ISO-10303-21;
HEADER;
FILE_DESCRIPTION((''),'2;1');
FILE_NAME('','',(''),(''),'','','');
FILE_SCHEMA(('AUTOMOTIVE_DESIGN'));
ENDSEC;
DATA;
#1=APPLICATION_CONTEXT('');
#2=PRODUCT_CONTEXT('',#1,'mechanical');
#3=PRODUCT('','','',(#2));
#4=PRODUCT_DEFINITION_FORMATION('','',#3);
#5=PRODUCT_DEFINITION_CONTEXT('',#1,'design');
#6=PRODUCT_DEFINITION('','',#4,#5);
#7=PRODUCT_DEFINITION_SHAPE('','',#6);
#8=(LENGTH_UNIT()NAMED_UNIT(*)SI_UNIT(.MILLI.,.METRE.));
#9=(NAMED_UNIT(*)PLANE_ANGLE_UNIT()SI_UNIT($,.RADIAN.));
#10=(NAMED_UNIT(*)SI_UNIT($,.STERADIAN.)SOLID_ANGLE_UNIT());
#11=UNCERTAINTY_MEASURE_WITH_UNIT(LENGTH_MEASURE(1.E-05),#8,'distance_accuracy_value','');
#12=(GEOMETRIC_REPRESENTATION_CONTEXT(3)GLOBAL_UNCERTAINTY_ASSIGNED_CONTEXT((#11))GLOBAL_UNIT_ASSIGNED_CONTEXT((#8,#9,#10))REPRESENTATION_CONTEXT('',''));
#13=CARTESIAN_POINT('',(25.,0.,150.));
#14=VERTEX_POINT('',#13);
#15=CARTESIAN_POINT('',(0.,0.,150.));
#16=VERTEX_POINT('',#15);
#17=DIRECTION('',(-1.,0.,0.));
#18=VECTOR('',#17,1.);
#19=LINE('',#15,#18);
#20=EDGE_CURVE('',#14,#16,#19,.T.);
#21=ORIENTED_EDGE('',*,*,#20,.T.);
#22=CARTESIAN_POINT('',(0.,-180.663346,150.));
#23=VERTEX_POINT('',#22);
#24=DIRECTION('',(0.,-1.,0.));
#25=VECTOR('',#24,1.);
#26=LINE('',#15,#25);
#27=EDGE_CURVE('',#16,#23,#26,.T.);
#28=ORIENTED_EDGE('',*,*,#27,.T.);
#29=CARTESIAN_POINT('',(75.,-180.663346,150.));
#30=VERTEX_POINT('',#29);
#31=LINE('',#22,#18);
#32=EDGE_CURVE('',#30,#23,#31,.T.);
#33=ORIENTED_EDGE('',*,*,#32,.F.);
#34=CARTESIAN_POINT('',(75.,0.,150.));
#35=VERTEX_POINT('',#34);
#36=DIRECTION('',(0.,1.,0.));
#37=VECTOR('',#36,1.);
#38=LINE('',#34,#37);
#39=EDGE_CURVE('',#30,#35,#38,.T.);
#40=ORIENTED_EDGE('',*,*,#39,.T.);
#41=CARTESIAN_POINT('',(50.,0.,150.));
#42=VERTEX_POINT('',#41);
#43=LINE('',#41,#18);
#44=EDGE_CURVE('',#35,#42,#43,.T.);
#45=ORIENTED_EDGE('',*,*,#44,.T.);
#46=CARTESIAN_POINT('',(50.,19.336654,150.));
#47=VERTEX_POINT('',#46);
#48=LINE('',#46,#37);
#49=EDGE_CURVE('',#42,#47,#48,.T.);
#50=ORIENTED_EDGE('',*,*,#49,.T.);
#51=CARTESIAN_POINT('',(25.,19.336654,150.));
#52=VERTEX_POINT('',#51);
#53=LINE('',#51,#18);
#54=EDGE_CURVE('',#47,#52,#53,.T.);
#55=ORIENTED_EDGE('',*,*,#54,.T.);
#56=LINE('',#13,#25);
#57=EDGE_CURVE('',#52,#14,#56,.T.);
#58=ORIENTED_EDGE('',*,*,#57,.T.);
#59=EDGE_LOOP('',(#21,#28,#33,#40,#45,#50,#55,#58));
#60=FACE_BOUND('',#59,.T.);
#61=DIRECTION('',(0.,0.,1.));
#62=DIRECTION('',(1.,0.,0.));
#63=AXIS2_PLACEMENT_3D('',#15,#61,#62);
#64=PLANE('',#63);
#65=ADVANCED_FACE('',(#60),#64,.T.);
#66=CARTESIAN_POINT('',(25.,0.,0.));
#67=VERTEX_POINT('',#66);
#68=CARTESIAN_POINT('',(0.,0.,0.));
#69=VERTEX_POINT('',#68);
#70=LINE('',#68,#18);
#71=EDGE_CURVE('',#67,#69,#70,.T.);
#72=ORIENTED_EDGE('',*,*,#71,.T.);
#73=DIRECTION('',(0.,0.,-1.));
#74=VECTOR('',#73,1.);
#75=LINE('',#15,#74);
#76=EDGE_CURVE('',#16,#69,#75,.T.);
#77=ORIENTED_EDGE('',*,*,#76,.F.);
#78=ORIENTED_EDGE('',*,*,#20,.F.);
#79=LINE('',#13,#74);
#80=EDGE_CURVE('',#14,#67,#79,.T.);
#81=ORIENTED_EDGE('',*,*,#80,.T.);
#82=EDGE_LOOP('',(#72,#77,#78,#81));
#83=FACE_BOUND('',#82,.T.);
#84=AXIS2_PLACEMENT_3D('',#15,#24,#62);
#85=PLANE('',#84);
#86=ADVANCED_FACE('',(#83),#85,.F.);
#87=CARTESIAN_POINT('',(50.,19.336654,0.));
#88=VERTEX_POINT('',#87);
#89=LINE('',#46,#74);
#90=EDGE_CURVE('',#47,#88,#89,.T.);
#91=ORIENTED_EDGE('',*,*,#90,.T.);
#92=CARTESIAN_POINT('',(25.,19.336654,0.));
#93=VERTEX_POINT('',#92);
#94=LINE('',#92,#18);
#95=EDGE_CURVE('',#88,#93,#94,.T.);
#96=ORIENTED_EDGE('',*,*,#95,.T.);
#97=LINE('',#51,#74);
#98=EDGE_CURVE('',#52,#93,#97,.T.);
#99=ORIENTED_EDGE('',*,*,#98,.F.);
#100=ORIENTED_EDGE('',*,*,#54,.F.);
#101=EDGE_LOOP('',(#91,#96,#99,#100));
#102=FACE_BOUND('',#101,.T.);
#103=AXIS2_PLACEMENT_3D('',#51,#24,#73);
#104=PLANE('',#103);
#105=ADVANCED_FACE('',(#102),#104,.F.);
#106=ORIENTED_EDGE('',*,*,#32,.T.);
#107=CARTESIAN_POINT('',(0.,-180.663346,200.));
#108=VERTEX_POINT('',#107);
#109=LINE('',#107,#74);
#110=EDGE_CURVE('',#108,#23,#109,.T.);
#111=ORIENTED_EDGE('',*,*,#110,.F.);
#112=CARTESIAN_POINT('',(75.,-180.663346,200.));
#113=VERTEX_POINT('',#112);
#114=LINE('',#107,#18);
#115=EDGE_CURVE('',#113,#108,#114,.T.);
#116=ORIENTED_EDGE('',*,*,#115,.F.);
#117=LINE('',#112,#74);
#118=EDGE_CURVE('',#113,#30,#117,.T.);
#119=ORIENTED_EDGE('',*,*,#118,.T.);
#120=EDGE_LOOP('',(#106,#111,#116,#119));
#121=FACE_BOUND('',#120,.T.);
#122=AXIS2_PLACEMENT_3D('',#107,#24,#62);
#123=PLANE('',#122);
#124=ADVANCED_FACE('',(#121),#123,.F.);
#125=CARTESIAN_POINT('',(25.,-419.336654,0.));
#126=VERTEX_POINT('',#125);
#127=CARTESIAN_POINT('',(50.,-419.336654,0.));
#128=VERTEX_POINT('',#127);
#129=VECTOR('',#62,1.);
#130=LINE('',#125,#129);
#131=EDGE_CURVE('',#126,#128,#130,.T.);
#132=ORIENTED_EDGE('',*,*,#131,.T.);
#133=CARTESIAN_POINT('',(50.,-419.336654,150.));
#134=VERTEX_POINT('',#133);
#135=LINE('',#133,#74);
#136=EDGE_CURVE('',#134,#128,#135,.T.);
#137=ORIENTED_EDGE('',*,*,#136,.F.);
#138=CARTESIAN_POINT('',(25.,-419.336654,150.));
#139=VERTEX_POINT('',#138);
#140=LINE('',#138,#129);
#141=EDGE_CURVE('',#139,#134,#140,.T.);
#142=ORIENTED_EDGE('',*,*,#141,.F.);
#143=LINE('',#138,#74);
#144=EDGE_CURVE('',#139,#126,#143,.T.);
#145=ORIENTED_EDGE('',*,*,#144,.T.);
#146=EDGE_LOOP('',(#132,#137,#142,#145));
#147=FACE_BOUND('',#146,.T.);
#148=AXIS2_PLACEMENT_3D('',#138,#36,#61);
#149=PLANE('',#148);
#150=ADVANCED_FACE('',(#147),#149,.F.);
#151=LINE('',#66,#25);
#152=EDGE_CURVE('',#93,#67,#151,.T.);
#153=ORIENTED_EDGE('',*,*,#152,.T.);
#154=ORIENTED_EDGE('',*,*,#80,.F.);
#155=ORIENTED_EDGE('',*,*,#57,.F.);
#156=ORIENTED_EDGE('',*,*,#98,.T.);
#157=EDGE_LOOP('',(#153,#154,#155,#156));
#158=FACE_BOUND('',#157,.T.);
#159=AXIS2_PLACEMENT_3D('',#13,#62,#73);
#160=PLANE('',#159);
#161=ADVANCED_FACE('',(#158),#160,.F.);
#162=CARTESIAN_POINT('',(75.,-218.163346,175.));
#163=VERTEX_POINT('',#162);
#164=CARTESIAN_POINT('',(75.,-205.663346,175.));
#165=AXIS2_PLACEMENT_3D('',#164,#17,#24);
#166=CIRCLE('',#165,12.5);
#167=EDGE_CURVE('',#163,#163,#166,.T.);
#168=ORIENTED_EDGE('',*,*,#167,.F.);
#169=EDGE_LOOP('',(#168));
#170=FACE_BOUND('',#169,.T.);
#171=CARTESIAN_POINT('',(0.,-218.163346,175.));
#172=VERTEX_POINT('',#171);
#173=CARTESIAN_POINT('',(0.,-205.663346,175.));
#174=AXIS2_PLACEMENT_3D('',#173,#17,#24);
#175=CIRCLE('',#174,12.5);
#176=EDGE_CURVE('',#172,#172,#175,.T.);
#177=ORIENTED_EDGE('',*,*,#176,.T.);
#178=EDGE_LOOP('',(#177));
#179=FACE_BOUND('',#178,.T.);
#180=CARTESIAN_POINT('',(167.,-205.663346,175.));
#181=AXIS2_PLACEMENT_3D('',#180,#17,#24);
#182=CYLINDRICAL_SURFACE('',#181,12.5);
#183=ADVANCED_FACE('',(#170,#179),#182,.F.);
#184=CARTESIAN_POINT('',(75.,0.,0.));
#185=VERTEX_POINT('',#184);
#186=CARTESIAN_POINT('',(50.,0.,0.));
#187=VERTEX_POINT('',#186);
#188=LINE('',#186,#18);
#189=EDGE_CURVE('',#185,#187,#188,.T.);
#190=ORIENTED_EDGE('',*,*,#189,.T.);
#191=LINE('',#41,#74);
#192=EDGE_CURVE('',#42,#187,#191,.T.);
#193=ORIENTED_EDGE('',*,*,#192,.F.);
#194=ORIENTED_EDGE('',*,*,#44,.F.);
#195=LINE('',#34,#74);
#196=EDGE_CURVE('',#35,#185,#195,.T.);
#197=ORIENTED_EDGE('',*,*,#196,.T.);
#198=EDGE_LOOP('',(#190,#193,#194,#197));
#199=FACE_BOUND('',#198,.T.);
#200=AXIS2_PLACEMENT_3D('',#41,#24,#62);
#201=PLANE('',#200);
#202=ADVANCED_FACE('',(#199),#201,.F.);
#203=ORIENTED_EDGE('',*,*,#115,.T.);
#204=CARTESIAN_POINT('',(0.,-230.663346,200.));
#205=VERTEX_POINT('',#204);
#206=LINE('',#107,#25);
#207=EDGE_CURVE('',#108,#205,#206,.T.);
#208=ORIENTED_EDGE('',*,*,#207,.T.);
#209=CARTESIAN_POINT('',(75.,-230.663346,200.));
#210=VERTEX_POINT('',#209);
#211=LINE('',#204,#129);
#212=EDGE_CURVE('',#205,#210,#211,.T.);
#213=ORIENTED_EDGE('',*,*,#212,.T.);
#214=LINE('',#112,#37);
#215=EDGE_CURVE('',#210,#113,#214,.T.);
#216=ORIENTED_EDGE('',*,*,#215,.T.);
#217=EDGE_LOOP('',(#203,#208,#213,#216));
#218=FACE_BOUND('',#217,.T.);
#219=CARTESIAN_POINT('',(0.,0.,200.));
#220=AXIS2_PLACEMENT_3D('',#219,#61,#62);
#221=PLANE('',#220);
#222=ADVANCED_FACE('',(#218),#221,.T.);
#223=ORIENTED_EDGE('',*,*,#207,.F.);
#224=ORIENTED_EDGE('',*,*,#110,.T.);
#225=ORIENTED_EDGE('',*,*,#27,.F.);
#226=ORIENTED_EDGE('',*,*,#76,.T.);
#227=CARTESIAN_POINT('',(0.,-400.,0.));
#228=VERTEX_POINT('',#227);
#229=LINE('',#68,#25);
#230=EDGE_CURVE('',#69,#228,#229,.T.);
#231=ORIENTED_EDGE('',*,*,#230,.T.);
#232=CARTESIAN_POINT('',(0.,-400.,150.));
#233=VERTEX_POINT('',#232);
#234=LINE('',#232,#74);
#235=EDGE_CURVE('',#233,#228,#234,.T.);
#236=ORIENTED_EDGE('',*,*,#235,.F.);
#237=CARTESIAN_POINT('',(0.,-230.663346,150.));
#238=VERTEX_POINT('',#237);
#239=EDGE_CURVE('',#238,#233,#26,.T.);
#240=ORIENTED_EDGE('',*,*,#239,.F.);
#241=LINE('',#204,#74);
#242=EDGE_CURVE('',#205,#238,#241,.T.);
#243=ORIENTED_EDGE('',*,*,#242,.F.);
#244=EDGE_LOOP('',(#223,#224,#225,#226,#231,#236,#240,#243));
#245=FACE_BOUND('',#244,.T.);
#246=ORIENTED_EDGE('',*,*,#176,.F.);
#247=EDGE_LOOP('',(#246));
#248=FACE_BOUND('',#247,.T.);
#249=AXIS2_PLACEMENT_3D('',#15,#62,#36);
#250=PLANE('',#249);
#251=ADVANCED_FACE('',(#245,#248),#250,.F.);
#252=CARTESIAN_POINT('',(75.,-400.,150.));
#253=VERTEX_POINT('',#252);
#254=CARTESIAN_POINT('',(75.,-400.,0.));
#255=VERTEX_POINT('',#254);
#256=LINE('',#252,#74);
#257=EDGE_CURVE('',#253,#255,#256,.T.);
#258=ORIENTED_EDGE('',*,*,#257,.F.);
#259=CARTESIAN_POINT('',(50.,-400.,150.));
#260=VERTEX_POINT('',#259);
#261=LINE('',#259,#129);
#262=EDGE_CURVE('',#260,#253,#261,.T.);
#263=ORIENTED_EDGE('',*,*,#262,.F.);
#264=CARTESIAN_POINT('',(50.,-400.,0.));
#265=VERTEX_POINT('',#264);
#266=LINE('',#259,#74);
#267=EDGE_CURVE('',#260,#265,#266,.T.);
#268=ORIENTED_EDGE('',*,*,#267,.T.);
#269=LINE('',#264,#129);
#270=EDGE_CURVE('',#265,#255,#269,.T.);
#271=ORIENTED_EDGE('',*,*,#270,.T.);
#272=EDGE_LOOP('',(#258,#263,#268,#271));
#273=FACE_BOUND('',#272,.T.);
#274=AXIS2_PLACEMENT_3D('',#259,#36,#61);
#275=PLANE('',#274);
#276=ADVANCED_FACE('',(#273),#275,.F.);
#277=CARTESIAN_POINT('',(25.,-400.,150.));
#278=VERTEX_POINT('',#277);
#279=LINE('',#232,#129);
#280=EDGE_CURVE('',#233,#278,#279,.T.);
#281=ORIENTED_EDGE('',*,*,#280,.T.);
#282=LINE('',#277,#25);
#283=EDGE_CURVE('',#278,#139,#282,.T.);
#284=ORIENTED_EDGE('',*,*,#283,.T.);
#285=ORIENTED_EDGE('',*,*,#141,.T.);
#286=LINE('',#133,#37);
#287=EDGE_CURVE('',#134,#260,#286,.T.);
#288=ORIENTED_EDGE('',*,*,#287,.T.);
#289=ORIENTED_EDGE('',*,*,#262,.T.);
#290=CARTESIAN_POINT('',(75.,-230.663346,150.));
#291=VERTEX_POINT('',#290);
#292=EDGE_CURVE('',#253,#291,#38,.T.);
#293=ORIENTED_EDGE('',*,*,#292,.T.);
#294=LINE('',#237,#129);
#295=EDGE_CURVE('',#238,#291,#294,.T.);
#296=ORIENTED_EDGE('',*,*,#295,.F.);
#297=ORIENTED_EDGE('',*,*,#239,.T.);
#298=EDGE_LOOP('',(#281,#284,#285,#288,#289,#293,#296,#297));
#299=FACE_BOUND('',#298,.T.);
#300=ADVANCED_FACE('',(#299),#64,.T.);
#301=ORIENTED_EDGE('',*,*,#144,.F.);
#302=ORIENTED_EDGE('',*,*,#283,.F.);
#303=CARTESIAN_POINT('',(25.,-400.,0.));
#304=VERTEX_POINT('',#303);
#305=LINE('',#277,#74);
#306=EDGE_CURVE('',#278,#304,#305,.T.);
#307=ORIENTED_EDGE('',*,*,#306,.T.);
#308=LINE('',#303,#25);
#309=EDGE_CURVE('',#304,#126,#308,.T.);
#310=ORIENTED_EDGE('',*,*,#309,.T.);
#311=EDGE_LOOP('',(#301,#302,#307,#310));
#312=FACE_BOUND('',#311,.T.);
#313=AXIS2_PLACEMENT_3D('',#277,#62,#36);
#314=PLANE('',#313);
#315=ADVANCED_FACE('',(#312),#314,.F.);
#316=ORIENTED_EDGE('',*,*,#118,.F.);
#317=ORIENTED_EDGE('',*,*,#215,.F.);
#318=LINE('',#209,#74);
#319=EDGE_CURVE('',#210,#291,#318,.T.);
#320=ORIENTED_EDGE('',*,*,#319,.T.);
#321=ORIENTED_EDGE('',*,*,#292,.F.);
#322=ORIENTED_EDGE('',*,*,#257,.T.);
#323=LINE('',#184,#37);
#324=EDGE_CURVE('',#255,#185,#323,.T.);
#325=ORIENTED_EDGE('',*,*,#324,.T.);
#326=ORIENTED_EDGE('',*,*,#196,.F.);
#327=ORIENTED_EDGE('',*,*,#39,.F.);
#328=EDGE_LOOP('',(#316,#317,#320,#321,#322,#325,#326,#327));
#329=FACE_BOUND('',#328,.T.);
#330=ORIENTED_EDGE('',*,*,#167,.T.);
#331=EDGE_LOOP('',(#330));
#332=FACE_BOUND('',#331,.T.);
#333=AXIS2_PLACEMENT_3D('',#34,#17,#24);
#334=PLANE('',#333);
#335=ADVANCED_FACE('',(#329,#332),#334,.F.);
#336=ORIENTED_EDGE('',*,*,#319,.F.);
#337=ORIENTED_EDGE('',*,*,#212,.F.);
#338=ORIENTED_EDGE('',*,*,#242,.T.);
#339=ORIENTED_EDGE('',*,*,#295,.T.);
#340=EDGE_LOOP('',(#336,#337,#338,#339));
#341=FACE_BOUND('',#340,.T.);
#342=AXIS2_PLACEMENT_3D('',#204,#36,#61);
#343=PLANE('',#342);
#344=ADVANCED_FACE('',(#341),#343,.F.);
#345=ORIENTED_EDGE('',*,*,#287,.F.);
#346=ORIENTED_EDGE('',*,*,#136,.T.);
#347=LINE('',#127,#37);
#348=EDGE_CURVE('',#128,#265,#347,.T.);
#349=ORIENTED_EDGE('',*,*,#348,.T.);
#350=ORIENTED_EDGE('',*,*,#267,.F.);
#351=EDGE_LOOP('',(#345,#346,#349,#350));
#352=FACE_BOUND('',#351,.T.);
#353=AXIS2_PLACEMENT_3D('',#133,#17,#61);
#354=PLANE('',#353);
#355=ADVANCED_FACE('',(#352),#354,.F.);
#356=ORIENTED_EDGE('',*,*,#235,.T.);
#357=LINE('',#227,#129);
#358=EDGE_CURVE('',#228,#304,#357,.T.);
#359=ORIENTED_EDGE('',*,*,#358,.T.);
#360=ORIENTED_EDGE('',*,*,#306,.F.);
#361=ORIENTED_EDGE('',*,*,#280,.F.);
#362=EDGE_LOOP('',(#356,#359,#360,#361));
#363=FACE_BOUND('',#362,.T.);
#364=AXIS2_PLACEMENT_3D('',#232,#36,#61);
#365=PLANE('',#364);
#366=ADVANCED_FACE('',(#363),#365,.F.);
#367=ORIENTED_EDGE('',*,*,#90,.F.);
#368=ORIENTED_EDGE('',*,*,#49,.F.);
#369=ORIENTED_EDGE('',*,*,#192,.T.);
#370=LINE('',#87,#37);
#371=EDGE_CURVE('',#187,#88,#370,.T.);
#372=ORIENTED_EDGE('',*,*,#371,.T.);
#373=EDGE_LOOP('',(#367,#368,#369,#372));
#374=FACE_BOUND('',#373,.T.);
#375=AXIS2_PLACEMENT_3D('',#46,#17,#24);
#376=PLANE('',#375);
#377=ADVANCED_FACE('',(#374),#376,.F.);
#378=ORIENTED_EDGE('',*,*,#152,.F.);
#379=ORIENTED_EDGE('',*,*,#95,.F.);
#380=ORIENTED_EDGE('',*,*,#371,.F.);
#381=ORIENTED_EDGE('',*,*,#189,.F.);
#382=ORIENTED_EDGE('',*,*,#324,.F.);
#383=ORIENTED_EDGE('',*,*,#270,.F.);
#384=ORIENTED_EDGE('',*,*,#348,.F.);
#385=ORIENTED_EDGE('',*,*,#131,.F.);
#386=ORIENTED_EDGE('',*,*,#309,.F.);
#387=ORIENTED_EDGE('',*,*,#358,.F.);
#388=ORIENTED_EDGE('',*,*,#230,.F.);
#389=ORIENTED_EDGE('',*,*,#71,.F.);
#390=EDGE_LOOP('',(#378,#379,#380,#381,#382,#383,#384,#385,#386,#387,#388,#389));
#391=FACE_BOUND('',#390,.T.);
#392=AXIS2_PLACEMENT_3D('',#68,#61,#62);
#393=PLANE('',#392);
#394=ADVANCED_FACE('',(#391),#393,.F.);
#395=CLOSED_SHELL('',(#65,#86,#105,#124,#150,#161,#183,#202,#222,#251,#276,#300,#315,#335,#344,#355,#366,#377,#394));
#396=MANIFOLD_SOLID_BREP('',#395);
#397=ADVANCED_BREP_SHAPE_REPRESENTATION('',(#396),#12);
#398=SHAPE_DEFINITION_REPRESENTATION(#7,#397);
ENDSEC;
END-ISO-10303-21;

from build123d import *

# Parameters (mm, degrees)
BOSS_EXTRUDE1_DEPTH = 150
SKETCH2_W           = 75
SKETCH2_H           = 50
BOSS_EXTRUDE2_DEPTH = 50
SKETCH3_R           = 12.5
CUT_EXTRUDE1_DEPTH  = 167


with BuildPart() as part:
    # Sketch1 → Boss-Extrude1 (new body)
    with BuildSketch(Plane.XY):
        Polygon((25, 0), (25, 19.336654422), (50, 19.336654422), (50, 0), (75, 0), (75, -400), (50, -400), (50, -419.336654422), (25, -419.336654422), (25, -400), (0, -400), (0, 0), align=None)
    extrude(amount=BOSS_EXTRUDE1_DEPTH)

    # Sketch2 → Boss-Extrude2 (add)
    with BuildSketch(Plane.XY.offset(150)):
        with Locations((37.5, -205.663345578)):
            Rectangle(SKETCH2_W, SKETCH2_H)
    extrude(amount=BOSS_EXTRUDE2_DEPTH)

    # Sketch3 → Cut-Extrude1 (cut)
    with BuildSketch(Plane.ZY):
        with Locations(Location((175, -205.663345578, 0), (0, 0, 270))):
            Circle(SKETCH3_R)
    extrude(amount=-CUT_EXTRUDE1_DEPTH, mode=Mode.SUBTRACT)


solid = part.part
